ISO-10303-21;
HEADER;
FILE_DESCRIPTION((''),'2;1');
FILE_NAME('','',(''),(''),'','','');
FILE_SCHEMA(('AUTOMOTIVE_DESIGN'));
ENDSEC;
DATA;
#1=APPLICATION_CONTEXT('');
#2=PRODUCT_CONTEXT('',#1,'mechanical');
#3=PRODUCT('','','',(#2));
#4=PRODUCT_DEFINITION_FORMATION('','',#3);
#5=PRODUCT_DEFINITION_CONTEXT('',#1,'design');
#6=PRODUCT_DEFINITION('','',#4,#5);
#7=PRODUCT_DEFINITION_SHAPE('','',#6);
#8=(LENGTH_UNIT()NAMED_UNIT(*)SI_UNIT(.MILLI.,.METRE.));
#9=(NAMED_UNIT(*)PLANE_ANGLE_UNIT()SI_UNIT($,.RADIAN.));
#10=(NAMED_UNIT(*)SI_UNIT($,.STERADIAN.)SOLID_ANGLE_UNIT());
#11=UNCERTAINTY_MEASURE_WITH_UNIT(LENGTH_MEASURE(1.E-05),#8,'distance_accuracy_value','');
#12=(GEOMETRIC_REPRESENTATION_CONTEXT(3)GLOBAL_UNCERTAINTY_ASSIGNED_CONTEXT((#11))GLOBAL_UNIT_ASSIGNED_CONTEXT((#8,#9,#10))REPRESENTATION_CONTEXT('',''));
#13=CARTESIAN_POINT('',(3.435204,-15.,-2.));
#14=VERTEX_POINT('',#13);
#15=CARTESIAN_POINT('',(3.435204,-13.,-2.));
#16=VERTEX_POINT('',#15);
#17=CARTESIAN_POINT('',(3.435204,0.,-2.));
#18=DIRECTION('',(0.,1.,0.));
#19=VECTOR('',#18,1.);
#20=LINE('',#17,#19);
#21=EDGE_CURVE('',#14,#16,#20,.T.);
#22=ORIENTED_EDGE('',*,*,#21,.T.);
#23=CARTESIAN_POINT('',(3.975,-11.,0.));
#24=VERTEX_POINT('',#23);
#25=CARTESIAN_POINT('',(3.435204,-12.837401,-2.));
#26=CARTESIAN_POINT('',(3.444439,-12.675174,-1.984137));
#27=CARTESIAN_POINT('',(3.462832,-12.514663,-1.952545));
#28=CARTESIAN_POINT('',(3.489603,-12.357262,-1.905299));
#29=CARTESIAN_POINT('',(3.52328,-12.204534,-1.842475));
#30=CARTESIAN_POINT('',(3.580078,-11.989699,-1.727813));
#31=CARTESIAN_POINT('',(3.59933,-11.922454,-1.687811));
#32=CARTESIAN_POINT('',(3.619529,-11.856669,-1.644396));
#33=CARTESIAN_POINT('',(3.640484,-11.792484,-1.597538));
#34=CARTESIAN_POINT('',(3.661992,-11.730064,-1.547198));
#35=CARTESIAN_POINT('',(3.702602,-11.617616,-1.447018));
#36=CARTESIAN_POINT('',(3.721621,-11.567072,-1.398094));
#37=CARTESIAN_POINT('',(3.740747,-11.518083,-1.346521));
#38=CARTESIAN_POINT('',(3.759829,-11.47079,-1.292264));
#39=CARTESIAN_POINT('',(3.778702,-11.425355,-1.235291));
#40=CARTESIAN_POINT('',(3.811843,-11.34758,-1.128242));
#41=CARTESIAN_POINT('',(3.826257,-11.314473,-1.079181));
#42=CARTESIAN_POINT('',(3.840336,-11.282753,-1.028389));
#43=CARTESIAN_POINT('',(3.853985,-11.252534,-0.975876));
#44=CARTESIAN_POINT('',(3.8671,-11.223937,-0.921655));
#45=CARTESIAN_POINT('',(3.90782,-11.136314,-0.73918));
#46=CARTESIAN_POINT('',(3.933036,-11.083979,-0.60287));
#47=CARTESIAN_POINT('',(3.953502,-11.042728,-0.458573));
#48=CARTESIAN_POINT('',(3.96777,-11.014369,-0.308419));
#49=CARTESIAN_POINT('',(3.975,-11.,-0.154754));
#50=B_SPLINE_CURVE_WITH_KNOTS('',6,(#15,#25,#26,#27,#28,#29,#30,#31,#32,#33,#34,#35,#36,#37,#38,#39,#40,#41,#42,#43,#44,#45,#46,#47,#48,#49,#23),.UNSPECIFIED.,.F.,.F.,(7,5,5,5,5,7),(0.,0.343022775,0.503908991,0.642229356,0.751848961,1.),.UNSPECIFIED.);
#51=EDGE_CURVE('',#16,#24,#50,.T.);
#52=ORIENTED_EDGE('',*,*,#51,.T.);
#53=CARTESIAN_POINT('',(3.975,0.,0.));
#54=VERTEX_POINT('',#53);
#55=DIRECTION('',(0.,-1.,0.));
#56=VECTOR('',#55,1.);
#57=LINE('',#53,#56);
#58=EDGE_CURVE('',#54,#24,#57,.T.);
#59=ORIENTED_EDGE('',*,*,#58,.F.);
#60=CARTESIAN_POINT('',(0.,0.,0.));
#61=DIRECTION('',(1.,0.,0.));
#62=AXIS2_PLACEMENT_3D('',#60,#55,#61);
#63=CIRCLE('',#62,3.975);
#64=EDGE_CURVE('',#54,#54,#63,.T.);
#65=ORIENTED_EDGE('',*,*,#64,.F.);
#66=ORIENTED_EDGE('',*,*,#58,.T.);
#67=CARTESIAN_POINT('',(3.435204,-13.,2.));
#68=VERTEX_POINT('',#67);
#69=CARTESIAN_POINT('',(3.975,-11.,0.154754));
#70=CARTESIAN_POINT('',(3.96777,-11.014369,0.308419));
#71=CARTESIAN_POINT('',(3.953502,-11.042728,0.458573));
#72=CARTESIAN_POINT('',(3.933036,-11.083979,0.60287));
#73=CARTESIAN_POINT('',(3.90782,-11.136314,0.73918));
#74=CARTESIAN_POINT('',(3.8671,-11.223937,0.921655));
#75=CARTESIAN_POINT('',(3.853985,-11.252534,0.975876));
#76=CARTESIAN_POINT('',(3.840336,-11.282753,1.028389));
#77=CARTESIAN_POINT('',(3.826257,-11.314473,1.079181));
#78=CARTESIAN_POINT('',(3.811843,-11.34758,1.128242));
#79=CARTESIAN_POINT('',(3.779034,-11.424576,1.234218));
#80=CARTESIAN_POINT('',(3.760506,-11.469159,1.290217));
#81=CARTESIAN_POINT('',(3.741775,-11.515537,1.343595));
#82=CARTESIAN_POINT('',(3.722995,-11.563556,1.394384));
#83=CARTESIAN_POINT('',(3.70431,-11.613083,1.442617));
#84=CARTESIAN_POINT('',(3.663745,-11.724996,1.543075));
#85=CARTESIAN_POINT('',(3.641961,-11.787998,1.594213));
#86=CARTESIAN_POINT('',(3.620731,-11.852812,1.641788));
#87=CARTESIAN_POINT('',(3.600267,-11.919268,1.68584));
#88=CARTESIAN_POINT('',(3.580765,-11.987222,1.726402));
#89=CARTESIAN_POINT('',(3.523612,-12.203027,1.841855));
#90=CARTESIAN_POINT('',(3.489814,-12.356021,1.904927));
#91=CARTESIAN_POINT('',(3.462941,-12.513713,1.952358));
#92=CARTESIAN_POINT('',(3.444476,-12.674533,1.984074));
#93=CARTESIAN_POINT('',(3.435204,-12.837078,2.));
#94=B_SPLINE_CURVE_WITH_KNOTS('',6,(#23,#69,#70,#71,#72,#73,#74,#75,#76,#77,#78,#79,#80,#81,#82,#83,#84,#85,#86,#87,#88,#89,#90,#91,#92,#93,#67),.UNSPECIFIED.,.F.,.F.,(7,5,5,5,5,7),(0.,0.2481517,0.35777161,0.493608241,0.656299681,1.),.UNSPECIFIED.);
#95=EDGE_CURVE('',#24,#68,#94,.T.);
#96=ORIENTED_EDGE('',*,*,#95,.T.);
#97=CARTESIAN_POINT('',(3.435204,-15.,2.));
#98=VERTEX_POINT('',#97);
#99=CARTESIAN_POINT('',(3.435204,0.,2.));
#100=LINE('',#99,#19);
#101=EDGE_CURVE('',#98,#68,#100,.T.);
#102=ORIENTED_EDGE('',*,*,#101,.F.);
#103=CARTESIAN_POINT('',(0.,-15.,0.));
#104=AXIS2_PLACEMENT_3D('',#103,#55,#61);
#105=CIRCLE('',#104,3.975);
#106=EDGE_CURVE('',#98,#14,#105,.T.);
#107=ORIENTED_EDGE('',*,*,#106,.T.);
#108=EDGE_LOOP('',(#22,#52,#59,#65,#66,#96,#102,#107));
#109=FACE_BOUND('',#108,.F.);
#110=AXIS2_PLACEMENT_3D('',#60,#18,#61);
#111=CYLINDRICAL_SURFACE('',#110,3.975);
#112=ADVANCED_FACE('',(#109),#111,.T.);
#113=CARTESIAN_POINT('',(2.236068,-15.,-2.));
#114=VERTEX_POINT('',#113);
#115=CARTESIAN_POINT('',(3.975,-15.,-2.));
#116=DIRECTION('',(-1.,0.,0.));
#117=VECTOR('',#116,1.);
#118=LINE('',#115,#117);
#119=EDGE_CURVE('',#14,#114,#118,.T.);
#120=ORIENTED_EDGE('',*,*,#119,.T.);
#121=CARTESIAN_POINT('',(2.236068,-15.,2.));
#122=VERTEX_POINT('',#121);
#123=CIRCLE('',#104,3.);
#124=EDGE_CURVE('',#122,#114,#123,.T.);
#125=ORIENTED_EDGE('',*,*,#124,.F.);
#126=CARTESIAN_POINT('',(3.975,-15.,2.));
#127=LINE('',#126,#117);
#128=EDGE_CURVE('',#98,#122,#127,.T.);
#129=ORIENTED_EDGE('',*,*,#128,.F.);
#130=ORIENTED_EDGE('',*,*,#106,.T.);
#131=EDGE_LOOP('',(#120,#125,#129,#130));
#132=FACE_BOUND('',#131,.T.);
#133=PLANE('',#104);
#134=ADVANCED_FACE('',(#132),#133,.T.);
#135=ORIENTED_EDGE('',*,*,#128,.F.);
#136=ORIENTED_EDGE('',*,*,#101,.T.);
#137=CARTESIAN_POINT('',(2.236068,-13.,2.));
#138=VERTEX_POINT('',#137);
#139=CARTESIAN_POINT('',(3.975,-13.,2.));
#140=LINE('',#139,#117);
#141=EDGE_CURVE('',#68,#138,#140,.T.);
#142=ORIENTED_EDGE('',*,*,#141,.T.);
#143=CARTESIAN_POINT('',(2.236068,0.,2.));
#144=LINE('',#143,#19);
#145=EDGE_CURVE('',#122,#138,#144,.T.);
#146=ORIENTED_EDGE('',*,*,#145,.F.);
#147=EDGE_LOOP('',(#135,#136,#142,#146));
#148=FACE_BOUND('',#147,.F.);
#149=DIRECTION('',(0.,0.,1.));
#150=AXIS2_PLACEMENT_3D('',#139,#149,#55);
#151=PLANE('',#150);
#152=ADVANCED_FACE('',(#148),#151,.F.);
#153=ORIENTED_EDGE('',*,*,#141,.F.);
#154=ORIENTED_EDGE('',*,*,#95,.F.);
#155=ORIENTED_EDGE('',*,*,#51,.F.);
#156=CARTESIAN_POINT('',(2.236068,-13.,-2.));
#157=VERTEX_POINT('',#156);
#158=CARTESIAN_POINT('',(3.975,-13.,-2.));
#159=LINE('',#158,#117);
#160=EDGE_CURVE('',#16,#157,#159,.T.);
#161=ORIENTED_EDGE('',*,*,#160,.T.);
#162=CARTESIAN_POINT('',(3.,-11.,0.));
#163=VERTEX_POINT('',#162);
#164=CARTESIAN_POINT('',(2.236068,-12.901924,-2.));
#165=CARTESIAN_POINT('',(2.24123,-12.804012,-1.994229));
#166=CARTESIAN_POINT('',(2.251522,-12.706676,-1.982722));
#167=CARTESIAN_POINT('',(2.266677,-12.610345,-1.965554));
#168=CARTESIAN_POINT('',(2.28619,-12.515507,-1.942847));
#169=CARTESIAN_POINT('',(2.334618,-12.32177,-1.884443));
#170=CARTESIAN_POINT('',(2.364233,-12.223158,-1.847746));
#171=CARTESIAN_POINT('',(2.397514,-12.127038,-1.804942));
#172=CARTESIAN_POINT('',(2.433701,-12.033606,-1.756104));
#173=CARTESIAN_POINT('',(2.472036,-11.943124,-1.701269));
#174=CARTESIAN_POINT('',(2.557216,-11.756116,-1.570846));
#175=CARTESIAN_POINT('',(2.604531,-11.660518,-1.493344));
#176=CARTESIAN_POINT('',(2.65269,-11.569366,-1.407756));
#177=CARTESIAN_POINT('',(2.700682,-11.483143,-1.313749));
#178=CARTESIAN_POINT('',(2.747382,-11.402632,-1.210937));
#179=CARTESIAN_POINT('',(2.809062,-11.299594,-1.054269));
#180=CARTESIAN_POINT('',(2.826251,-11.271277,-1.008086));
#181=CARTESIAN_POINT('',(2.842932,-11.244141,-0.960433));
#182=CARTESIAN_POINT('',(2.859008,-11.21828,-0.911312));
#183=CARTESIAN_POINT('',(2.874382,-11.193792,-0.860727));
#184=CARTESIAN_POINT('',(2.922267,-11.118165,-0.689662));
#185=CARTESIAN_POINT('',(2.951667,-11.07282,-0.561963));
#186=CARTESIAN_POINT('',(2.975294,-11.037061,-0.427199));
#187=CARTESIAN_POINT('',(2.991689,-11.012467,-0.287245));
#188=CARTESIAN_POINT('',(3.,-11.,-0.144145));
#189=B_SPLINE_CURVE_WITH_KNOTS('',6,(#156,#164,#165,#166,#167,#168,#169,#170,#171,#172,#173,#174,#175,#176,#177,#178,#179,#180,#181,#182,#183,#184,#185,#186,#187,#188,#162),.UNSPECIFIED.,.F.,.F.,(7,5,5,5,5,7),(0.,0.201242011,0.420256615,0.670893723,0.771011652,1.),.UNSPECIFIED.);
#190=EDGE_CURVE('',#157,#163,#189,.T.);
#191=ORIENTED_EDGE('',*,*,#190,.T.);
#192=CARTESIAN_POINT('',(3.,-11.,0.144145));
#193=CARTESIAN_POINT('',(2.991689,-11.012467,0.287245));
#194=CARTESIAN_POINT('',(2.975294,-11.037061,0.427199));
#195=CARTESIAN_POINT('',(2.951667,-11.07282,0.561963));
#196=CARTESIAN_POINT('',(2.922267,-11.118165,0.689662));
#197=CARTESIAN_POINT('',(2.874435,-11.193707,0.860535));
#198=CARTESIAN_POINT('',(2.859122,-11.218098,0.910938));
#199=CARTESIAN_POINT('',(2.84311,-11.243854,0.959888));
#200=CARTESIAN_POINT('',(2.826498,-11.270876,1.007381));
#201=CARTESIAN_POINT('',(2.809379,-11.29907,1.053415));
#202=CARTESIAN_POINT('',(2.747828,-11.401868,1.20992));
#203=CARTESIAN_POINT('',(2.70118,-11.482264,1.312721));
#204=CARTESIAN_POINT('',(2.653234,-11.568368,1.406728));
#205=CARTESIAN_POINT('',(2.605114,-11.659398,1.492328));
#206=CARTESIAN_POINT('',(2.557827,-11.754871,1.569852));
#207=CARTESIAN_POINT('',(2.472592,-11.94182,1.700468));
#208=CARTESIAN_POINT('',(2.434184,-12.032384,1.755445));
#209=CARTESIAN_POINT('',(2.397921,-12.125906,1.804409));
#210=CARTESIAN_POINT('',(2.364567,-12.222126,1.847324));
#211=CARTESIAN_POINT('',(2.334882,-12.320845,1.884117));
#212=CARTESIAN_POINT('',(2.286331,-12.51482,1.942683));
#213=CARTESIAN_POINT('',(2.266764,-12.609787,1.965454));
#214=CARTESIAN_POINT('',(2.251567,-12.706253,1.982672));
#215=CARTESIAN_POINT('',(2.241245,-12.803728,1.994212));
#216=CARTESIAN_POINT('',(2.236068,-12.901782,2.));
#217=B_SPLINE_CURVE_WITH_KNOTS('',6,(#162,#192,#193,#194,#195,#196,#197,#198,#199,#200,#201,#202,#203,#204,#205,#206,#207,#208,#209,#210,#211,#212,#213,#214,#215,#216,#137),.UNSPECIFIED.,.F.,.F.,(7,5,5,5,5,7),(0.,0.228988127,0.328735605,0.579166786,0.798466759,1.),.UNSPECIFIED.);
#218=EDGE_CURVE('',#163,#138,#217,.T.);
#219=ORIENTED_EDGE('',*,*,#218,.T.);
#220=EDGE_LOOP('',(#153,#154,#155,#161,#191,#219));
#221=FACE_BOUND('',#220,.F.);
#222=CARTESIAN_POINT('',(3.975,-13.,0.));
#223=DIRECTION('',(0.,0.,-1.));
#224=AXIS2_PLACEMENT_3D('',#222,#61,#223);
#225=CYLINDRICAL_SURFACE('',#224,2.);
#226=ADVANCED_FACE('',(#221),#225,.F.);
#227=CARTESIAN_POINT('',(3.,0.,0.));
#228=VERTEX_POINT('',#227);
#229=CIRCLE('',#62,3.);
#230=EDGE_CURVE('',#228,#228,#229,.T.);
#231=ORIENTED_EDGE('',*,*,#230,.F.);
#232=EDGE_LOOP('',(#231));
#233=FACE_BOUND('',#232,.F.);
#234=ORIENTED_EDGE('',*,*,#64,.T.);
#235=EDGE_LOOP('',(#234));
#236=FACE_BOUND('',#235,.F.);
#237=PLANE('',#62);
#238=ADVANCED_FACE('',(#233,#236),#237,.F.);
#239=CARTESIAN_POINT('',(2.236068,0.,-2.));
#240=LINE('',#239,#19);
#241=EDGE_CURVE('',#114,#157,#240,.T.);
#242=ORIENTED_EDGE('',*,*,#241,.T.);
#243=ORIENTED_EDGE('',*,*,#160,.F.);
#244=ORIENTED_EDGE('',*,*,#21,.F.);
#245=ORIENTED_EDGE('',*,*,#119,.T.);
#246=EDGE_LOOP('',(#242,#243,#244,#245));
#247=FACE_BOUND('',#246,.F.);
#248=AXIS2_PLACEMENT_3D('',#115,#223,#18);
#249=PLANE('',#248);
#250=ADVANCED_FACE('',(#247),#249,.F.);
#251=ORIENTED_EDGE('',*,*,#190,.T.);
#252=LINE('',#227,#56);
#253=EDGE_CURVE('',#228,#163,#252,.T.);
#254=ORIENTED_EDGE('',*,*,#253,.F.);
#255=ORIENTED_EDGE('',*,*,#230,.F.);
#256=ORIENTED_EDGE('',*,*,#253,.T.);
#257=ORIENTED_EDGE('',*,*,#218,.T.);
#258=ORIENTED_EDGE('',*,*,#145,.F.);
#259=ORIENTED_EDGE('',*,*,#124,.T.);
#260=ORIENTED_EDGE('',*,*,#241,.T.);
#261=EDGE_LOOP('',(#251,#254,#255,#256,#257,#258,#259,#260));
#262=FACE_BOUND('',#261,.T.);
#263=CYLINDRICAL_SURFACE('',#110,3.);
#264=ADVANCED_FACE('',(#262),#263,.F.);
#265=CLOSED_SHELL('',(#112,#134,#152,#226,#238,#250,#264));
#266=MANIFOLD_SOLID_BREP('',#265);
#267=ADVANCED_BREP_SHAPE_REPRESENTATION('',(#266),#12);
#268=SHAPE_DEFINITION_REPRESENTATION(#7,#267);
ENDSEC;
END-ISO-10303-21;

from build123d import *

# Parameters (mm, degrees)
F0_R     = 3.975
F0_R_2   = 3
F1_DEPTH = 15
F4_DEPTH = 3


with BuildPart() as f1:
    # F0 (on Front) → F1 (new body)
    with BuildSketch(Plane.XZ):
        Circle(F0_R)
        Circle(F0_R_2, mode=Mode.SUBTRACT)
    extrude(amount=F1_DEPTH)

    # F3 (on offset) → F4 (cut)
    with BuildSketch(Plane.YZ.offset(3.975)):
        with BuildLine():
            Line((-15, 2), (-15, -2))
            Line((-15, -2), (-13, -2))
            ThreePointArc((-13, -2), (-11, 0), (-13, 2))
            Line((-13, 2), (-15, 2))
        make_face()
    extrude(amount=-F4_DEPTH, mode=Mode.SUBTRACT)


solid = f1.part
